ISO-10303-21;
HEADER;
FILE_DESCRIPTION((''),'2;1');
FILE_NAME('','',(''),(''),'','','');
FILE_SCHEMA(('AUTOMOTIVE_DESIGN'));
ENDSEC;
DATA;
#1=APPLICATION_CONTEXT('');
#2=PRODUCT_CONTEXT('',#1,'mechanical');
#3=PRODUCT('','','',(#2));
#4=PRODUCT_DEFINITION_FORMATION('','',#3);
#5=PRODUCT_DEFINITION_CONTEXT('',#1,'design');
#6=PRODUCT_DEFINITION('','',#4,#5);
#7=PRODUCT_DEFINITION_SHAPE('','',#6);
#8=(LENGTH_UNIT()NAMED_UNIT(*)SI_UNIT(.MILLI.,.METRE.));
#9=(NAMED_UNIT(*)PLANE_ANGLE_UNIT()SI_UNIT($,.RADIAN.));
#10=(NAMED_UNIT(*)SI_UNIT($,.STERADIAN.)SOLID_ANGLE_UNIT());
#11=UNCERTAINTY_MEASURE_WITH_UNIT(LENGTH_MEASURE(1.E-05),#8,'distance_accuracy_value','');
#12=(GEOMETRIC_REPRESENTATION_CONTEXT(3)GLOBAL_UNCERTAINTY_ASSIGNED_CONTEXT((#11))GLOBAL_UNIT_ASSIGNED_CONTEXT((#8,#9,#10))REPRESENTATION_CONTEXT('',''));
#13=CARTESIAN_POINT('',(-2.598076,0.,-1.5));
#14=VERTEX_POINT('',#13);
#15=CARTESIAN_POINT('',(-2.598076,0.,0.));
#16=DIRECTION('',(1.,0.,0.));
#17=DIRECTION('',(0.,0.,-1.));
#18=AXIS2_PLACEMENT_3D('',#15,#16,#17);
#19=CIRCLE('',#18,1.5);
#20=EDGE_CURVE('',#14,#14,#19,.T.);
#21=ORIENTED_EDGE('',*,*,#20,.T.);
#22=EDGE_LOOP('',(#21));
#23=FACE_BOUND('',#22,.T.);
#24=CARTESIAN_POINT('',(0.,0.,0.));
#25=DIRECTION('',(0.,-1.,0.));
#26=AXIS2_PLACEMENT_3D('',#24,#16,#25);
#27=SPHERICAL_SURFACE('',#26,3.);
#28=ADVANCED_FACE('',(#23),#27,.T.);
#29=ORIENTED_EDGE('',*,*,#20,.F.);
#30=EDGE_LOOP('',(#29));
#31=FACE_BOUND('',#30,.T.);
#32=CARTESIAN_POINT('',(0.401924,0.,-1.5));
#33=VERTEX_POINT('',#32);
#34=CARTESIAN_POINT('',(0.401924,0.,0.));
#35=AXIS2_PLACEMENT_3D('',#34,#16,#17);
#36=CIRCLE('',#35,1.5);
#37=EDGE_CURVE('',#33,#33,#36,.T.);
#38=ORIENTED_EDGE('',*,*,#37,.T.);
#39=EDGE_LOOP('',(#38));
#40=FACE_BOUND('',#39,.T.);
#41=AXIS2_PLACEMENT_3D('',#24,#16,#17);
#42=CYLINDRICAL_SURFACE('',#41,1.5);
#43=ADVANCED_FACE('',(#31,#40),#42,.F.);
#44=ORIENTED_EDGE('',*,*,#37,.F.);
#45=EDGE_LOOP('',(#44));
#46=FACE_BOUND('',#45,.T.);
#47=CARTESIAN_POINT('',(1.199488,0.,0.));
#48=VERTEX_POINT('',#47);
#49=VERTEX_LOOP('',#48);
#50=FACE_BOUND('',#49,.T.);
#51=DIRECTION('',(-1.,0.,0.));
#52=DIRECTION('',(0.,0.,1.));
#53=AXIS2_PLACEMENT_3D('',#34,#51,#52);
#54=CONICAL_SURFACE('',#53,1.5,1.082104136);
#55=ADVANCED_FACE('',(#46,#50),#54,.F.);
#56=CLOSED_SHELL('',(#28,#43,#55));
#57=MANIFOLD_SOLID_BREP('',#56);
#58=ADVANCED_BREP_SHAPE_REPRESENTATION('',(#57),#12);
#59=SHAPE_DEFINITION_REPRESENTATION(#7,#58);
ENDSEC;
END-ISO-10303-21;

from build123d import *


with BuildPart() as part:
    # Skizze1 → Rotation1 (revolve)
    with BuildSketch(Plane.XY, mode=Mode.PRIVATE) as rotation1_sk:
        with BuildLine():
            Line((-2.598076211, 1.5), (0.401923789, 1.5))
            Line((0.401923789, 1.5), (1.199487936, 0))
            Line((1.199487936, 0), (3, 0))
            ThreePointArc((3, 0), (0.776457135, 2.897777479), (-2.598076211, 1.5))
        make_face()
    revolve(rotation1_sk.sketch.rotate(Axis((0, 0, 0), (-1, 0, 0)), 180), axis=Axis((0, 0, 0), (-1, 0, 0)))


solid = part.part
